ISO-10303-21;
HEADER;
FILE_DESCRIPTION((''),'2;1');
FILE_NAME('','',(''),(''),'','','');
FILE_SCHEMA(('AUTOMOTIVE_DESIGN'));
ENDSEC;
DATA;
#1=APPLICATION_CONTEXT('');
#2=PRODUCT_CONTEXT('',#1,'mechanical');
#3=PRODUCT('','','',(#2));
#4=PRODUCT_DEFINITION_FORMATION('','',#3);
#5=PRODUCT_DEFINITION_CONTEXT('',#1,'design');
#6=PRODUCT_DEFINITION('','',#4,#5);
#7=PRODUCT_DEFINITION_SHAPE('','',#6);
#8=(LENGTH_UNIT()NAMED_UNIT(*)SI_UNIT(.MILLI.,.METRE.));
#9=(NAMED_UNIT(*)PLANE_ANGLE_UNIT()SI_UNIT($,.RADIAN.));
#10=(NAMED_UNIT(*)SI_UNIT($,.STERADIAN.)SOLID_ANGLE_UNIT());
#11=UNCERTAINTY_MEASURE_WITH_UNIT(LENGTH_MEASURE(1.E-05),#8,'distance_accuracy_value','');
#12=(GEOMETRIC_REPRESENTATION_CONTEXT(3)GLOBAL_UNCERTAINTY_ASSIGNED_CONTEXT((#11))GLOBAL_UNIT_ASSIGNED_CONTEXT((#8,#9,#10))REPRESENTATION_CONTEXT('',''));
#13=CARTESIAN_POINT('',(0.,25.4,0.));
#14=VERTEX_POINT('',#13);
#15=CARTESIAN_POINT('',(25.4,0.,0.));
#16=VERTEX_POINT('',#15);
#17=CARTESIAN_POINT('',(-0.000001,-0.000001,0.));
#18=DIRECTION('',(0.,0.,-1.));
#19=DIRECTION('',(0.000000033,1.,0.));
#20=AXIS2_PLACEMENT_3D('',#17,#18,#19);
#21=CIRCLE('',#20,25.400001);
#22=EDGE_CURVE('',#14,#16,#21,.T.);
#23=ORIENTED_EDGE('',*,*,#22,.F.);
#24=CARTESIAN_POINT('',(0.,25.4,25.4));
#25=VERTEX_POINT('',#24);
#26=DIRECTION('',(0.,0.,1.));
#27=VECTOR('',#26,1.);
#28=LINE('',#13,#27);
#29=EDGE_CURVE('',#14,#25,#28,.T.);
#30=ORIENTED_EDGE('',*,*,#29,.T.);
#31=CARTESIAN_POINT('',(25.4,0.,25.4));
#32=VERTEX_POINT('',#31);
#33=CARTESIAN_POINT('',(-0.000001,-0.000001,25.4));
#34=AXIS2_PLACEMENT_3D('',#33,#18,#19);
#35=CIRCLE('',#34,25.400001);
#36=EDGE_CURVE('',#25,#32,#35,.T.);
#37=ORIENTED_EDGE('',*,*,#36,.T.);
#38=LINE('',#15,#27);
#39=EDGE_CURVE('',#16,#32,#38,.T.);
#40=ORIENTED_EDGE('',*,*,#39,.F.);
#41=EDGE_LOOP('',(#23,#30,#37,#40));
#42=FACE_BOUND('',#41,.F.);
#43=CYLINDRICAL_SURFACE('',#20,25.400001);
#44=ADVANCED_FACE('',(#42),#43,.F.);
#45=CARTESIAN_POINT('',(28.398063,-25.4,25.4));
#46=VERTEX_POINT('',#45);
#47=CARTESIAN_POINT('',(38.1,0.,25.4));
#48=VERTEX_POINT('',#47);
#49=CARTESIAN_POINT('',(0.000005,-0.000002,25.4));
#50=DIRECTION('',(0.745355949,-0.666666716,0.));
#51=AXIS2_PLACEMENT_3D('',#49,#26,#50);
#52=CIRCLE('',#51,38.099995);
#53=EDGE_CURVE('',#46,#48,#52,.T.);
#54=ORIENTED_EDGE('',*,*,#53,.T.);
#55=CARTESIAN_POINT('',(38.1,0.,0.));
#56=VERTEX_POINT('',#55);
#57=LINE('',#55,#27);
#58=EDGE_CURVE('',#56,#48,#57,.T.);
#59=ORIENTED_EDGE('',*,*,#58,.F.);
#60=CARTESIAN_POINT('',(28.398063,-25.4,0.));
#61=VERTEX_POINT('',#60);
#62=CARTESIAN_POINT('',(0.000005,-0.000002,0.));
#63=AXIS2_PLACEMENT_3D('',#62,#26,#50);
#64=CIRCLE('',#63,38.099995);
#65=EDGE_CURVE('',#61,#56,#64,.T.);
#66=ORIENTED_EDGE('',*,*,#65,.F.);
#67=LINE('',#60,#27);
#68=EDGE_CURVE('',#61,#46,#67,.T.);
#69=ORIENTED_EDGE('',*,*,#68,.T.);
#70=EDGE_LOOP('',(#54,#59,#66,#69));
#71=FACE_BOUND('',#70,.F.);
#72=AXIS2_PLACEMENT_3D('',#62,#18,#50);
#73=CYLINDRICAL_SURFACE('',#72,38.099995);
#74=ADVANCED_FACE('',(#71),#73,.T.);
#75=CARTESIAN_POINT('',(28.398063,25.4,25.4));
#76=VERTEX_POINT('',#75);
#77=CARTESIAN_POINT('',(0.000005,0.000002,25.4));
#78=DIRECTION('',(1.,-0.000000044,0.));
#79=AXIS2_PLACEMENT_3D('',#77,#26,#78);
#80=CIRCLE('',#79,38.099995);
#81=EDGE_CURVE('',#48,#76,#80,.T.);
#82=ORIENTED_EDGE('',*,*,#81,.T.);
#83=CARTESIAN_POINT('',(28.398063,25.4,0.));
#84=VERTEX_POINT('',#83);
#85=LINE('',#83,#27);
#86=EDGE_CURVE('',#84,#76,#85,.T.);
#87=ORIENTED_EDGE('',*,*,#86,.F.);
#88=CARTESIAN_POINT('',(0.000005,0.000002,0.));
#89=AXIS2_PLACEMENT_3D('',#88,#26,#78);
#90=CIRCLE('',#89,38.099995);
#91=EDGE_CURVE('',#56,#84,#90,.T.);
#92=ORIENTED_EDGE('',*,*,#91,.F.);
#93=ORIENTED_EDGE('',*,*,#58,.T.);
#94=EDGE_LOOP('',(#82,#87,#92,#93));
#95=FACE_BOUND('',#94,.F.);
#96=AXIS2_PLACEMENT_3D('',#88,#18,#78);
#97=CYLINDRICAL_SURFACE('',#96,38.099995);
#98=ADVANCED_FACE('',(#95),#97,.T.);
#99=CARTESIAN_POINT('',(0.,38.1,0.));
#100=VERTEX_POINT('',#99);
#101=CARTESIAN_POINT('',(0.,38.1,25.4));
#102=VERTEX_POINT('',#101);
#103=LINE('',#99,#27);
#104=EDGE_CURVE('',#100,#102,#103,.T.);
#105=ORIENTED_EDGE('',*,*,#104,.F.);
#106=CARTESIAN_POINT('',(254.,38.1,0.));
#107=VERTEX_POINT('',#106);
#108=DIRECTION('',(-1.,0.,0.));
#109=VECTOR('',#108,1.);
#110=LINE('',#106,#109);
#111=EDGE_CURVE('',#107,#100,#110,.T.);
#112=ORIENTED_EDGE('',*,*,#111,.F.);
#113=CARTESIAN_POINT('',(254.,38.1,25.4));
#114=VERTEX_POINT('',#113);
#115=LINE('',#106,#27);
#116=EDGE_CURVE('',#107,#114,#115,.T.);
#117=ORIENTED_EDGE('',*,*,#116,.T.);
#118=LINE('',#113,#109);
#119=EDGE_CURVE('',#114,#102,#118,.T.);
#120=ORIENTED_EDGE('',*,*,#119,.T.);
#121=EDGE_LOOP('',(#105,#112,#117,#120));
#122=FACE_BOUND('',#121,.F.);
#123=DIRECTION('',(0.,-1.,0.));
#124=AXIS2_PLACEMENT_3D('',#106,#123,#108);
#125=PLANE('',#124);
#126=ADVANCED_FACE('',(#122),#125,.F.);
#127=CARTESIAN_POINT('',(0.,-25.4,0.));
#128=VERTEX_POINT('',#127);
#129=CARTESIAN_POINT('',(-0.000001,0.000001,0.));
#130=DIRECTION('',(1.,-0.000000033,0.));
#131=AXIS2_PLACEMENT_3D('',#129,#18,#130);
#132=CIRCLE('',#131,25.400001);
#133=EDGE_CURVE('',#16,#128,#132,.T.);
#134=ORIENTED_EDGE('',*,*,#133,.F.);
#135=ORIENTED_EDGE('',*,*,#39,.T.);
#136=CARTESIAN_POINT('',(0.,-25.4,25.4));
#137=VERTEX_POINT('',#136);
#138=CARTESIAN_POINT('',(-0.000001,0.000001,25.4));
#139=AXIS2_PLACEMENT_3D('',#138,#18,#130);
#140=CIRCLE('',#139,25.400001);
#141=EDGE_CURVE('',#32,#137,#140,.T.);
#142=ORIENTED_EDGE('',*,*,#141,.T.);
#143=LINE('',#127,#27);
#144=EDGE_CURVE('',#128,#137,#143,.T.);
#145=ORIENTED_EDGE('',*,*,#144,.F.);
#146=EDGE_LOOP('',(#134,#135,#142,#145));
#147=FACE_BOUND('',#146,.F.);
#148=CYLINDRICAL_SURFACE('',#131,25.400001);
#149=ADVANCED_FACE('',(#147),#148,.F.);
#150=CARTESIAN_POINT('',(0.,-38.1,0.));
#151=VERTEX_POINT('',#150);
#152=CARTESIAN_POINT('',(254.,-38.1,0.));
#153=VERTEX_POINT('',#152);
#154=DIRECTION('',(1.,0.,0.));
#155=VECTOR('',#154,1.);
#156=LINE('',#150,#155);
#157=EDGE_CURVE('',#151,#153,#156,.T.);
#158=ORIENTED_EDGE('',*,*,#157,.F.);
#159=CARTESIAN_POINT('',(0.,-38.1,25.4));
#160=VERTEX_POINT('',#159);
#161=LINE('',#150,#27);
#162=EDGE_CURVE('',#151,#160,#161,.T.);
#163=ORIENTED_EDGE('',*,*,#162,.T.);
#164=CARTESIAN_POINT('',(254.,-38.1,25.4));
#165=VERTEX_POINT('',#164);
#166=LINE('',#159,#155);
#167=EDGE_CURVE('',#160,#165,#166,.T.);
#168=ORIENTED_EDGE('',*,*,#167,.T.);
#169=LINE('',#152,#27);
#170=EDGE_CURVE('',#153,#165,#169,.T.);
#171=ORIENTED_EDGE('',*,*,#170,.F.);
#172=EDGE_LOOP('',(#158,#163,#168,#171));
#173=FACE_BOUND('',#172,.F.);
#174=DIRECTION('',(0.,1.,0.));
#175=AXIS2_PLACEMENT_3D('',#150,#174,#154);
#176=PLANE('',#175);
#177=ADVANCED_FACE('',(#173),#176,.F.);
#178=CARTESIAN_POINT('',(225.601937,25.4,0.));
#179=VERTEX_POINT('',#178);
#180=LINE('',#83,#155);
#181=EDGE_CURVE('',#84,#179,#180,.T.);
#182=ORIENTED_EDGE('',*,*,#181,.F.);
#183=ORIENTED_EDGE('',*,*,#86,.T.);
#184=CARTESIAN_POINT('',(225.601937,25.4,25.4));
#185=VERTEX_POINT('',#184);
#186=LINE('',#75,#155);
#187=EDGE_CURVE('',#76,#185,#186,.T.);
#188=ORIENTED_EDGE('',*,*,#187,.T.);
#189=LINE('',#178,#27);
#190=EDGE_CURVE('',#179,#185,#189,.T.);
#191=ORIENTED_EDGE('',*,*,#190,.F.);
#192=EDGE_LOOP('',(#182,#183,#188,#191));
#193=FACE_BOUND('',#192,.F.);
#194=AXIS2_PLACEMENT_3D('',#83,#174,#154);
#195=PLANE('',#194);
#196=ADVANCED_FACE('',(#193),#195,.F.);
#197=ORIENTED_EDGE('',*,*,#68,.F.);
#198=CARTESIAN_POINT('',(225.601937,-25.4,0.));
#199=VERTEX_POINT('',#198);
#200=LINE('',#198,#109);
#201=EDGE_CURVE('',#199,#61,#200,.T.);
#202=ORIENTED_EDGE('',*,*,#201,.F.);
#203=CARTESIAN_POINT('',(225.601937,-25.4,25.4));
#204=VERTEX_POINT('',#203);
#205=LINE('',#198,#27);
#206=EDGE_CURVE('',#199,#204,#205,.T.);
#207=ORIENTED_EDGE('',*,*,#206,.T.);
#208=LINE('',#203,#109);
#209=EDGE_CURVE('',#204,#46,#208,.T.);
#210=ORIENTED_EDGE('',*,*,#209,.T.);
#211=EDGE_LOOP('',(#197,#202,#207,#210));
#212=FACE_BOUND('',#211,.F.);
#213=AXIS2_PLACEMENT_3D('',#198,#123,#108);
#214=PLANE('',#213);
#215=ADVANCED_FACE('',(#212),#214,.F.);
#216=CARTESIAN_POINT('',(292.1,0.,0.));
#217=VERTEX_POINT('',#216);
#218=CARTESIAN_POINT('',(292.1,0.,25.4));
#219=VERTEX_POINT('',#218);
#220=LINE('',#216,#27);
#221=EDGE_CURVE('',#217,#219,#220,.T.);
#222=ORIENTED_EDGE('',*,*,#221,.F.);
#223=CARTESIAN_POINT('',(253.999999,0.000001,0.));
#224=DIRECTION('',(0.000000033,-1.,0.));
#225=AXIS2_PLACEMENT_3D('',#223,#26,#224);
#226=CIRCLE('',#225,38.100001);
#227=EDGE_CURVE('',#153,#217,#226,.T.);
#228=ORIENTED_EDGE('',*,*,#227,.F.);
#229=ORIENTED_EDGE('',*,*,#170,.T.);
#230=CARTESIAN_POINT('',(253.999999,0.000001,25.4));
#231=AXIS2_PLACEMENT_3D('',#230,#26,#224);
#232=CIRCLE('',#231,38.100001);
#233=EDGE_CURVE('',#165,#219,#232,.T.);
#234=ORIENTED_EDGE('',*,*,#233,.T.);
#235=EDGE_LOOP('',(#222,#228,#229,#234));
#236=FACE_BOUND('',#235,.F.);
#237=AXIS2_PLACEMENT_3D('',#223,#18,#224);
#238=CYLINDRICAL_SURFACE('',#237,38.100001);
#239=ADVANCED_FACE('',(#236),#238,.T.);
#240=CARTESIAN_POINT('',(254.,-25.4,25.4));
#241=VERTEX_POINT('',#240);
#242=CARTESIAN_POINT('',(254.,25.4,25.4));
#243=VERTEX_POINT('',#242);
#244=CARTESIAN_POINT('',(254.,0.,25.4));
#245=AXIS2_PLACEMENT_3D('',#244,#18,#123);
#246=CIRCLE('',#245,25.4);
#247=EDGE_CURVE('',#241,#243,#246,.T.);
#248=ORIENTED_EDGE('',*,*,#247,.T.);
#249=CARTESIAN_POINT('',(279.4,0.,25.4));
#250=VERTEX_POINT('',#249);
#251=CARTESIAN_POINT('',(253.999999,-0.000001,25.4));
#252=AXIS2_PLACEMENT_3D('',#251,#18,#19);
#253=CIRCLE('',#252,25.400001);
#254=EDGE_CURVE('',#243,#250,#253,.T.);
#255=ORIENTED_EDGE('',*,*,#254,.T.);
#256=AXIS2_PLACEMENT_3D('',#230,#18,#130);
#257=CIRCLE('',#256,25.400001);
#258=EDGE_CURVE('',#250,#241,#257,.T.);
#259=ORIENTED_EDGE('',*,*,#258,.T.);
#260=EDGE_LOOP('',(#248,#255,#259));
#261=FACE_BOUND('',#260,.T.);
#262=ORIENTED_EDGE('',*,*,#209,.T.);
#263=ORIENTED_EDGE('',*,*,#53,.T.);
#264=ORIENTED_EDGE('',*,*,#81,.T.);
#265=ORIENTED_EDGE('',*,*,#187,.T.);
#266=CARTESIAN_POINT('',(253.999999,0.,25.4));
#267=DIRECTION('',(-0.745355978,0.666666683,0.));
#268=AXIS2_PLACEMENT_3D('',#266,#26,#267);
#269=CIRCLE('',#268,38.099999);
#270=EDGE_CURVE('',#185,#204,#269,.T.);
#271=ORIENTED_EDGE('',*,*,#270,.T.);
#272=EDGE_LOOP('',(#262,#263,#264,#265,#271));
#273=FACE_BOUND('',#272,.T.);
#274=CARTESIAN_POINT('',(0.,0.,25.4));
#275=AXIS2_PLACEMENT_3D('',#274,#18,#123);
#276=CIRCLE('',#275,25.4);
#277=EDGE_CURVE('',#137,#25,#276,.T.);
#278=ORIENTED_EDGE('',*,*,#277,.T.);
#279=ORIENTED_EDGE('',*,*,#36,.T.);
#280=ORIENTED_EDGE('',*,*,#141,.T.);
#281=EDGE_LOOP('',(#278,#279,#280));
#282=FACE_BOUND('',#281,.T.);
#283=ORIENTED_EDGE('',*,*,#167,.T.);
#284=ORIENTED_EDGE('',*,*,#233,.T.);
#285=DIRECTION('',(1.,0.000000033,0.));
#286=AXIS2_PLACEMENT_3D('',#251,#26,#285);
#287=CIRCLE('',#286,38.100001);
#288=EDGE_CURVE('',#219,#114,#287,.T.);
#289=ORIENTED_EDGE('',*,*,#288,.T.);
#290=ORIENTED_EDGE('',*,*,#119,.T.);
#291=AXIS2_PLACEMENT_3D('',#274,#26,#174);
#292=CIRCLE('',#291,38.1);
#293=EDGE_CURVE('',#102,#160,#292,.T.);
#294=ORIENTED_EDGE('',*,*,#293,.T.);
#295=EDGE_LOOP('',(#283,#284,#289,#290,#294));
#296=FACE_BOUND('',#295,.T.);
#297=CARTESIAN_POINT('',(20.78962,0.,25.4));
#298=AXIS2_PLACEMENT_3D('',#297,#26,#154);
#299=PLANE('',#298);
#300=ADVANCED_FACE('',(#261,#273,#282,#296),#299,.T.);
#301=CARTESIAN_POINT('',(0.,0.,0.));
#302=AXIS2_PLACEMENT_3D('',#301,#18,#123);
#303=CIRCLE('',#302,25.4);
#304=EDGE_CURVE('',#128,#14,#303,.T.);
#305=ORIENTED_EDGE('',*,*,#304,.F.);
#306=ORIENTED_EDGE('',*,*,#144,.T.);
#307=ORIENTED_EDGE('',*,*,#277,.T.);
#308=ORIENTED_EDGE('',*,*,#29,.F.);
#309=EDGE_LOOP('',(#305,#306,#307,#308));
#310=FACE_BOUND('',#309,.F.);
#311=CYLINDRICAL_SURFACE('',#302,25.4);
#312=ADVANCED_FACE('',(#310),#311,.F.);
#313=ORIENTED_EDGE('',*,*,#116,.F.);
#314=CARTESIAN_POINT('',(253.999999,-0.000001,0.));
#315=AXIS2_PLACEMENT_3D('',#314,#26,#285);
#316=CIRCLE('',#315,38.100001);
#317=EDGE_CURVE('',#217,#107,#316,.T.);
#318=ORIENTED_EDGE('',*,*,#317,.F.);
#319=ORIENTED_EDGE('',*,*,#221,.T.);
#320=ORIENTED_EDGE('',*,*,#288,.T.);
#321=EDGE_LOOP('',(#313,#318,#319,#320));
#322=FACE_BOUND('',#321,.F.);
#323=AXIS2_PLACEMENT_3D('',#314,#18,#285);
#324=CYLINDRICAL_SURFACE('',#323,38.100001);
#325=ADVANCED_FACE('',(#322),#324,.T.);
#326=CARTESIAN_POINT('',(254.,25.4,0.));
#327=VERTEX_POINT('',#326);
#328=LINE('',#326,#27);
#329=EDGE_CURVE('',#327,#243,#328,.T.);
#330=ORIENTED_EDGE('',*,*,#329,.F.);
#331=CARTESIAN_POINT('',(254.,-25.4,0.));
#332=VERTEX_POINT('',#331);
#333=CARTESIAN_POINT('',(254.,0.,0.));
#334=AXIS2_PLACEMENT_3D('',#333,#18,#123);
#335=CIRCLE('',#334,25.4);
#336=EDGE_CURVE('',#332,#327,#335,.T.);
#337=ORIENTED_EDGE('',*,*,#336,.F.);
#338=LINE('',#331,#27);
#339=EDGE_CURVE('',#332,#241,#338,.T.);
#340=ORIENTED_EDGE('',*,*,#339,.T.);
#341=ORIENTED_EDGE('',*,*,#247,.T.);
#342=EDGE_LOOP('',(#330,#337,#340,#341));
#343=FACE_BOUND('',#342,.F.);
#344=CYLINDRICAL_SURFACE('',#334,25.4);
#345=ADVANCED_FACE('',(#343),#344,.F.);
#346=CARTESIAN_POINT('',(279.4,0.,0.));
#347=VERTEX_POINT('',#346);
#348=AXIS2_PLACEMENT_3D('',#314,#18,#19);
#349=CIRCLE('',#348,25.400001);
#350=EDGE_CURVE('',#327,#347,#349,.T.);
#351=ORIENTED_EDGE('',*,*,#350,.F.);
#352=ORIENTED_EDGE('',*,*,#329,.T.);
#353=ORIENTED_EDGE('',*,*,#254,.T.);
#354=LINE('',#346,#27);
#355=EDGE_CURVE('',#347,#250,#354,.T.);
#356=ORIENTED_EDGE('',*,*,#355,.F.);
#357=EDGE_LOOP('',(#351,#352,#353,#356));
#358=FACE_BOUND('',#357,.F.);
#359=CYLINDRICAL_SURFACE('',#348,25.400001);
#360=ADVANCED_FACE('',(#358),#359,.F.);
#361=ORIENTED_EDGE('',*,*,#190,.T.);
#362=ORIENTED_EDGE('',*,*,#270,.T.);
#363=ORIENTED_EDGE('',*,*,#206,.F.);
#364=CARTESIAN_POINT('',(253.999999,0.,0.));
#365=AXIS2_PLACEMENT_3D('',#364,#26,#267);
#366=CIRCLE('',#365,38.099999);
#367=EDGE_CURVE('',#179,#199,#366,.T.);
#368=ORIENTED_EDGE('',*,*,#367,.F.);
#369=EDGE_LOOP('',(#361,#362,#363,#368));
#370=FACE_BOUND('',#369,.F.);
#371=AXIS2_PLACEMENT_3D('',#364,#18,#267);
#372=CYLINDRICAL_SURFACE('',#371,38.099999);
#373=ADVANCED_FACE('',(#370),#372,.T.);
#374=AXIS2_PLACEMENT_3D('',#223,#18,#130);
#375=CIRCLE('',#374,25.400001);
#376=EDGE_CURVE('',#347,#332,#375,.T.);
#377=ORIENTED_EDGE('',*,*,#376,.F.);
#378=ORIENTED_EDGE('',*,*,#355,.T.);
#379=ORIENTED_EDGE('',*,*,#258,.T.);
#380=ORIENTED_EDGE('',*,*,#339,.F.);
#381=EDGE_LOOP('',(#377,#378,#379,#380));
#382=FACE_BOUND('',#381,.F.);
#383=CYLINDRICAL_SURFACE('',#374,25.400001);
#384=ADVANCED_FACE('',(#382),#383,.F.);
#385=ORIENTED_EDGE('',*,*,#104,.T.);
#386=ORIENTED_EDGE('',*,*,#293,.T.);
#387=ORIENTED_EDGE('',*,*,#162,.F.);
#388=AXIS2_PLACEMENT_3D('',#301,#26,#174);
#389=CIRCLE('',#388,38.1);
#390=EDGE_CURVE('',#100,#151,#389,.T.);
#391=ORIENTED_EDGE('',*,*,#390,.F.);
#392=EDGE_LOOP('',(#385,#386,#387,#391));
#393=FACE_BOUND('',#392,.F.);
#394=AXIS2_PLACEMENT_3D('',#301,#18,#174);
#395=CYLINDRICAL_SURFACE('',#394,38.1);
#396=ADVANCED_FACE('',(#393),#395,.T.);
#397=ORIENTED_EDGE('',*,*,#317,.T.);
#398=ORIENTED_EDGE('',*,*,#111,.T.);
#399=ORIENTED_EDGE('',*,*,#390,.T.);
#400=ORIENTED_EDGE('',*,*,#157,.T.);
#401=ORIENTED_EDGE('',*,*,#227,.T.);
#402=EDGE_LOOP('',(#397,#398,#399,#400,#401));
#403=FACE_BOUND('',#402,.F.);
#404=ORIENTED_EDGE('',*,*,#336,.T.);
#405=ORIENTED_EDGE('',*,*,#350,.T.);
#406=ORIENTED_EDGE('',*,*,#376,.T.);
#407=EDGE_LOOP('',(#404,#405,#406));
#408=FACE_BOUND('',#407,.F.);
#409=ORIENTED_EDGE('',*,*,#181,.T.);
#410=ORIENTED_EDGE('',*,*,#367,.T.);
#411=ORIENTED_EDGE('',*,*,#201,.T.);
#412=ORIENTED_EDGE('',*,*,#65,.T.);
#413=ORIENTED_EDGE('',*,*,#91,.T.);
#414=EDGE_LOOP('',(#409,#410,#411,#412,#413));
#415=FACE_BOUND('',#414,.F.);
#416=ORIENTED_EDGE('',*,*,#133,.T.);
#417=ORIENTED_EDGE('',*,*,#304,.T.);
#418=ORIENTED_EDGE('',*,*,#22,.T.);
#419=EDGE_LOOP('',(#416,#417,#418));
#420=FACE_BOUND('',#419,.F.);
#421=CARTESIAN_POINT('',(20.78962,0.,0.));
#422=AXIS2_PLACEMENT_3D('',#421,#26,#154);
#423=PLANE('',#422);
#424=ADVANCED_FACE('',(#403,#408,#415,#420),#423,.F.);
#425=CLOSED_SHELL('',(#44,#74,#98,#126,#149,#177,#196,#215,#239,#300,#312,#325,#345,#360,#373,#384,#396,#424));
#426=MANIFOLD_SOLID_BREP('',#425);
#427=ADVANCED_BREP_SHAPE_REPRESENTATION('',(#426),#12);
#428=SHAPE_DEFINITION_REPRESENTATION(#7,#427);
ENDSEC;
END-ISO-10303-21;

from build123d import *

# Parameters (mm, degrees)
F1_DEPTH = 25.4


with BuildPart() as f1:
    # F0 (on Top) → F1 (new body)
    with BuildSketch(Plane.XY):
        with BuildLine():
            ThreePointArc((0, 25.4), (17.960512, 17.960512), (25.4, 0))
            ThreePointArc((25.4, 0), (17.960512, -17.960512), (0, -25.4))
            Line((0, -25.4), (28.398063, -25.4))
            ThreePointArc((28.398063, -25.4), (35.591967, -13.594922), (38.1, 0))
            ThreePointArc((38.1, 0), (35.591967, 13.594922), (28.398063, 25.4))
            Line((28.398063, 25.4), (0, 25.4))
        make_face()
        with BuildLine():
            ThreePointArc((0, 38.1), (15.55426, 34.780382), (28.398063, 25.4))
            Line((28.398063, 25.4), (225.601937, 25.4))
            ThreePointArc((225.601937, 25.4), (238.44574, 34.780382), (254, 38.1))
            Line((254, 38.1), (0, 38.1))
        make_face()
        with BuildLine():
            Line((254, 25.4), (225.601937, 25.4))
            ThreePointArc((225.601937, 25.4), (215.9, 0), (225.601937, -25.4))
            Line((225.601937, -25.4), (254, -25.4))
            ThreePointArc((254, -25.4), (228.6, 0), (254, 25.4))
        make_face()
        with BuildLine():
            Line((225.601937, -25.4), (28.398063, -25.4))
            ThreePointArc((28.398063, -25.4), (15.55426, -34.780382), (0, -38.1))
            Line((0, -38.1), (254, -38.1))
            ThreePointArc((254, -38.1), (238.44574, -34.780382), (225.601937, -25.4))
        make_face()
        with BuildLine():
            ThreePointArc((0, -25.4), (-25.4, 0), (0, 25.4))
            Line((0, 25.4), (28.398063, 25.4))
            ThreePointArc((28.398063, 25.4), (15.55426, 34.780382), (0, 38.1))
            ThreePointArc((0, 38.1), (-38.1, 0), (0, -38.1))
            ThreePointArc((0, -38.1), (15.55426, -34.780382), (28.398063, -25.4))
            Line((28.398063, -25.4), (0, -25.4))
        make_face()
        with BuildLine():
            ThreePointArc((254, 38.1), (238.44574, 34.780382), (225.601937, 25.4))
            Line((225.601937, 25.4), (254, 25.4))
            ThreePointArc((254, 25.4), (271.960512, 17.960512), (279.4, 0))
            ThreePointArc((279.4, 0), (271.960512, -17.960512), (254, -25.4))
            Line((254, -25.4), (225.601937, -25.4))
            ThreePointArc((225.601937, -25.4), (238.44574, -34.780382), (254, -38.1))
            ThreePointArc((254, -38.1), (280.940768, -26.940768), (292.1, 0))
            ThreePointArc((292.1, 0), (280.940768, 26.940768), (254, 38.1))
        make_face()
    extrude(amount=F1_DEPTH)


solid = f1.part
